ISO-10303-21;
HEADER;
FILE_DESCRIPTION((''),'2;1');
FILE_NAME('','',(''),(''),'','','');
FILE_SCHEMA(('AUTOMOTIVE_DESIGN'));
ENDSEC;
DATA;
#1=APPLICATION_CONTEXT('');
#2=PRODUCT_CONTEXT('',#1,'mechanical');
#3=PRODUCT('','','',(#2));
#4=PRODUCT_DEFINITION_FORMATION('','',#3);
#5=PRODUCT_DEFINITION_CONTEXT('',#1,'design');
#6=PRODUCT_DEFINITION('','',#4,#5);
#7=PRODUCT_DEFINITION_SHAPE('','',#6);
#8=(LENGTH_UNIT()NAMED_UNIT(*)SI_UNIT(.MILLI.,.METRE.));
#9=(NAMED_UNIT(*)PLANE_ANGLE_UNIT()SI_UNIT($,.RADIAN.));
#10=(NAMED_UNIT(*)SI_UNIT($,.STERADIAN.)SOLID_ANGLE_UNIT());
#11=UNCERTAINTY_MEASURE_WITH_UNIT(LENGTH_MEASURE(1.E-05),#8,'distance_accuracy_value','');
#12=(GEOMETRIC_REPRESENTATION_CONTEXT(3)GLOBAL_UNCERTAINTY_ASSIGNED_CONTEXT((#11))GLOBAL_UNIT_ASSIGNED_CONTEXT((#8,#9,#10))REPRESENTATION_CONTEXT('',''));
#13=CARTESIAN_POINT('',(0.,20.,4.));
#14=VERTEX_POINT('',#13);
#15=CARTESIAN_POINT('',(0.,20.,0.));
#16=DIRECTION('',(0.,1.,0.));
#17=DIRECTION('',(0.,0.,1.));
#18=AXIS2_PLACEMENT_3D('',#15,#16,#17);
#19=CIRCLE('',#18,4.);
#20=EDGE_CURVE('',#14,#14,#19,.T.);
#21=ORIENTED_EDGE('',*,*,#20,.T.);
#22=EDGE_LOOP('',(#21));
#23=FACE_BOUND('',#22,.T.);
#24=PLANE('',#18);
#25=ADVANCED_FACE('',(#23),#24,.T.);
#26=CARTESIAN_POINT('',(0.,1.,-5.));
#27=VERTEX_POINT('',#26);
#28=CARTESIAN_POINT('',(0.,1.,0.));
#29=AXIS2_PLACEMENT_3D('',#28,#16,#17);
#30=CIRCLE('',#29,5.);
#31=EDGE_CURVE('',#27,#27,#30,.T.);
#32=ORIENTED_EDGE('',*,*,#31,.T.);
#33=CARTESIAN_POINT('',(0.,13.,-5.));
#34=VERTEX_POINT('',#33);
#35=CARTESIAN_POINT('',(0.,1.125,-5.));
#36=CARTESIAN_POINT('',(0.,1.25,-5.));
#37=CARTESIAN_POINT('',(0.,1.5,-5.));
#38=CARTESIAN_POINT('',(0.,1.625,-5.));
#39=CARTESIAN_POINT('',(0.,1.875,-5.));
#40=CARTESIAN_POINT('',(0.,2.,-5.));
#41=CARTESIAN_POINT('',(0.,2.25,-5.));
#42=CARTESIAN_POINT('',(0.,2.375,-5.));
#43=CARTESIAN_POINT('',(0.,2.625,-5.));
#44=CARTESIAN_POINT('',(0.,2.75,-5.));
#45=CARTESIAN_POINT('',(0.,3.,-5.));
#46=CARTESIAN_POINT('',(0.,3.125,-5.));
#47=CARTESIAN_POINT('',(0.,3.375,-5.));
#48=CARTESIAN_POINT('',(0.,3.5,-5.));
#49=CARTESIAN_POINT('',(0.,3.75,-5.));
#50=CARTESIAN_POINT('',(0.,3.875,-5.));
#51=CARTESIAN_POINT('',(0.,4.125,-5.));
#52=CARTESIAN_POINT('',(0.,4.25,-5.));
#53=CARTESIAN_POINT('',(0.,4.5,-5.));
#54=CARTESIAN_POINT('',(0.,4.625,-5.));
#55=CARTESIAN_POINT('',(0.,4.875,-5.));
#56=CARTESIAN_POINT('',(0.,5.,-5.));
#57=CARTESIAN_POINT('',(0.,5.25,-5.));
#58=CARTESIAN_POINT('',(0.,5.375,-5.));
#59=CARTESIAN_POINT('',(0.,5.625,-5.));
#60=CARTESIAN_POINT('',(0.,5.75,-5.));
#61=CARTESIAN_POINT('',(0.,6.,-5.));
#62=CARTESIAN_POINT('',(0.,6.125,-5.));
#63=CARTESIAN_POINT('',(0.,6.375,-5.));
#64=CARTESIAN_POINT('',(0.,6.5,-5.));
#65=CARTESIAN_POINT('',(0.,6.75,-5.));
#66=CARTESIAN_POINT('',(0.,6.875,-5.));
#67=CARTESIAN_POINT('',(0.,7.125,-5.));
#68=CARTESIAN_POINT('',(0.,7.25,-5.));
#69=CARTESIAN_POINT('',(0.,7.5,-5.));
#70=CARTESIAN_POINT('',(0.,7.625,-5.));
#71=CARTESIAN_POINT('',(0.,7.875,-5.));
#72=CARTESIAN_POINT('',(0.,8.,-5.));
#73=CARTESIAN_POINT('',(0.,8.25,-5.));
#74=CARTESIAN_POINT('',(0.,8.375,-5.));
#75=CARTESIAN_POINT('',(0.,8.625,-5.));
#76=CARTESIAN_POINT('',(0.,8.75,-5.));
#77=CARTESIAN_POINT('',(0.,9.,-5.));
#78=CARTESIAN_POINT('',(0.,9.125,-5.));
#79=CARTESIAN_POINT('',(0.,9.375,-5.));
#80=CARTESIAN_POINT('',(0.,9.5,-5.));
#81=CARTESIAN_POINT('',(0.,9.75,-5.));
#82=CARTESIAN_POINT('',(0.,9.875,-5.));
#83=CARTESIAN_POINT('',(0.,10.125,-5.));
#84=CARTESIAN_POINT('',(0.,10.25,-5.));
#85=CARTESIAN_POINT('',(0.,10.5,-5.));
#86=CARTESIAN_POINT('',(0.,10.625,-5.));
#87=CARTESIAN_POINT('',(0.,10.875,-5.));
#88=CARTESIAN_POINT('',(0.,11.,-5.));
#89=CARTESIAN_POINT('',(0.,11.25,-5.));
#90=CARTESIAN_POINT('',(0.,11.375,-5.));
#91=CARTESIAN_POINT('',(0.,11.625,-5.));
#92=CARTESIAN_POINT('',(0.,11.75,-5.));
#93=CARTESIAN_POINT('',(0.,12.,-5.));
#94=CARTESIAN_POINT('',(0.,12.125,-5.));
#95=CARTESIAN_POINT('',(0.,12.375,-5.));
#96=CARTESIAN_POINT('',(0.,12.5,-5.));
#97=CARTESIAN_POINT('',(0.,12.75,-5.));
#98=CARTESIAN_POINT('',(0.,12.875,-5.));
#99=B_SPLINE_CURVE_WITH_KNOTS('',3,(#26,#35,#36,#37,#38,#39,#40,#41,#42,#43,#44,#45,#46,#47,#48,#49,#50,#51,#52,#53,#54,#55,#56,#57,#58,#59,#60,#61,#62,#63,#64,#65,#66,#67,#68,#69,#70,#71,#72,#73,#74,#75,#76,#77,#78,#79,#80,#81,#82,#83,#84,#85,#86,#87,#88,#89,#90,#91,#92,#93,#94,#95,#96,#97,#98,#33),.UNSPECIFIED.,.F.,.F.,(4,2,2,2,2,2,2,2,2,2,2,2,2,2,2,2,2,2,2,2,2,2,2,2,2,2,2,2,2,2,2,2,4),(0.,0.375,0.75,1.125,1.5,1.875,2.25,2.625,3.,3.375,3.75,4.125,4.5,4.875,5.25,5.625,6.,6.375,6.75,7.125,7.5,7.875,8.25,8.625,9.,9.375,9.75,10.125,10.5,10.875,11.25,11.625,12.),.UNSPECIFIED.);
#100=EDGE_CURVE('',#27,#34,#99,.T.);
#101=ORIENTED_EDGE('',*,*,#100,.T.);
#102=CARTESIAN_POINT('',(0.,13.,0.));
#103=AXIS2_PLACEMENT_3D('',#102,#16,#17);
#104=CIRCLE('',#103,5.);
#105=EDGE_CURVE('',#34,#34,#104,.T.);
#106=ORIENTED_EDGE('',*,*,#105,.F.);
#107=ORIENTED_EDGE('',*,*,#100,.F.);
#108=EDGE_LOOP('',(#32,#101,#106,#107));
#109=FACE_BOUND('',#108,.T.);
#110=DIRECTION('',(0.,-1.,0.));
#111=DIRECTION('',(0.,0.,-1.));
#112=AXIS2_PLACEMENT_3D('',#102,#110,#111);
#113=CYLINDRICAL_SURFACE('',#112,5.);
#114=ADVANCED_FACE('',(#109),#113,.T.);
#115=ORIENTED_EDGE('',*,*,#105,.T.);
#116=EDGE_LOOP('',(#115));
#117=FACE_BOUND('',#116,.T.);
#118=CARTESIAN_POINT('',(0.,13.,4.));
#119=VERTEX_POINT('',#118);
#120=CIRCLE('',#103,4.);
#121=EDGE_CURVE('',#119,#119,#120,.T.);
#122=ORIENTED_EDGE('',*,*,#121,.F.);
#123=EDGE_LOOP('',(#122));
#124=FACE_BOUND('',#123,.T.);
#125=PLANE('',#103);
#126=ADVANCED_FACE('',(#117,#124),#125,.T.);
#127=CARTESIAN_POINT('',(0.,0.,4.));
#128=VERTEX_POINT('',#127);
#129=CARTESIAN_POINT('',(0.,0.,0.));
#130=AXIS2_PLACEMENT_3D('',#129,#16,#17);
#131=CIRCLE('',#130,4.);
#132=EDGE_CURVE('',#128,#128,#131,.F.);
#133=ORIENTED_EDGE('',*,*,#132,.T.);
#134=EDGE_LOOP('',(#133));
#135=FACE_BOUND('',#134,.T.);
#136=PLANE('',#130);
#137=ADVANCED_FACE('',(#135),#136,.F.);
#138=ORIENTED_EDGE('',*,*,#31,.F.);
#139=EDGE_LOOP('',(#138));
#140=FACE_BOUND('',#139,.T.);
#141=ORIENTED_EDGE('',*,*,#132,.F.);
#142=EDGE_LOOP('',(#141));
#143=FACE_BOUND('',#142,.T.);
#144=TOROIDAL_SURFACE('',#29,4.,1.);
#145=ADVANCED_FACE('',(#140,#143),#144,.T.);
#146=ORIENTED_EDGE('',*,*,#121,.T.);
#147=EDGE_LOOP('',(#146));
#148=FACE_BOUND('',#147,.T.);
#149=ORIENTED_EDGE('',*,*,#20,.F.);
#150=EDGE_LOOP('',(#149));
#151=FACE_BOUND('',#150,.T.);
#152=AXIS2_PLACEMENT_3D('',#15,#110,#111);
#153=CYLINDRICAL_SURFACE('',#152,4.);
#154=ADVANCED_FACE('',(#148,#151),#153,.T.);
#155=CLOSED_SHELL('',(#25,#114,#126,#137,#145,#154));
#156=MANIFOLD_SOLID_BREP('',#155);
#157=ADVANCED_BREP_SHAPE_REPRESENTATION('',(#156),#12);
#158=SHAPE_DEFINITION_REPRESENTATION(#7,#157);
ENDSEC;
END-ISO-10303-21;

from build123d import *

# Parameters (mm, degrees)
SKETCH1_R           = 5
BOSS_EXTRUDE1_DEPTH = 13
FILLET2_R           = 1
SKETCH2_R           = 4
BOSS_EXTRUDE2_DEPTH = 7


with BuildPart() as part:
    # Sketch1 → Boss-Extrude1 (new body)
    with BuildSketch(Plane(origin=(0, 0, 0), x_dir=(1, 0, 0), z_dir=(0, 1, 0))):
        with Locations(Location((0, 0, 0), (0, 0, 90))):
            Circle(SKETCH1_R)
    extrude(amount=BOSS_EXTRUDE1_DEPTH)

    # Fillet2
    fillet2_edges = [part.edges().sort_by_distance(p)[0] for p in [
        (0, 0, 5),
    ]]
    fillet(fillet2_edges, radius=FILLET2_R)

    # Sketch2 → Boss-Extrude2 (add)
    with BuildSketch(Plane(origin=(0, 13, 0), x_dir=(1, 0, 0), z_dir=(0, 1, 0))):
        with Locations(Location((0, 0, 0), (0, 0, 270))):
            Circle(SKETCH2_R)
    extrude(amount=BOSS_EXTRUDE2_DEPTH)


solid = part.part
